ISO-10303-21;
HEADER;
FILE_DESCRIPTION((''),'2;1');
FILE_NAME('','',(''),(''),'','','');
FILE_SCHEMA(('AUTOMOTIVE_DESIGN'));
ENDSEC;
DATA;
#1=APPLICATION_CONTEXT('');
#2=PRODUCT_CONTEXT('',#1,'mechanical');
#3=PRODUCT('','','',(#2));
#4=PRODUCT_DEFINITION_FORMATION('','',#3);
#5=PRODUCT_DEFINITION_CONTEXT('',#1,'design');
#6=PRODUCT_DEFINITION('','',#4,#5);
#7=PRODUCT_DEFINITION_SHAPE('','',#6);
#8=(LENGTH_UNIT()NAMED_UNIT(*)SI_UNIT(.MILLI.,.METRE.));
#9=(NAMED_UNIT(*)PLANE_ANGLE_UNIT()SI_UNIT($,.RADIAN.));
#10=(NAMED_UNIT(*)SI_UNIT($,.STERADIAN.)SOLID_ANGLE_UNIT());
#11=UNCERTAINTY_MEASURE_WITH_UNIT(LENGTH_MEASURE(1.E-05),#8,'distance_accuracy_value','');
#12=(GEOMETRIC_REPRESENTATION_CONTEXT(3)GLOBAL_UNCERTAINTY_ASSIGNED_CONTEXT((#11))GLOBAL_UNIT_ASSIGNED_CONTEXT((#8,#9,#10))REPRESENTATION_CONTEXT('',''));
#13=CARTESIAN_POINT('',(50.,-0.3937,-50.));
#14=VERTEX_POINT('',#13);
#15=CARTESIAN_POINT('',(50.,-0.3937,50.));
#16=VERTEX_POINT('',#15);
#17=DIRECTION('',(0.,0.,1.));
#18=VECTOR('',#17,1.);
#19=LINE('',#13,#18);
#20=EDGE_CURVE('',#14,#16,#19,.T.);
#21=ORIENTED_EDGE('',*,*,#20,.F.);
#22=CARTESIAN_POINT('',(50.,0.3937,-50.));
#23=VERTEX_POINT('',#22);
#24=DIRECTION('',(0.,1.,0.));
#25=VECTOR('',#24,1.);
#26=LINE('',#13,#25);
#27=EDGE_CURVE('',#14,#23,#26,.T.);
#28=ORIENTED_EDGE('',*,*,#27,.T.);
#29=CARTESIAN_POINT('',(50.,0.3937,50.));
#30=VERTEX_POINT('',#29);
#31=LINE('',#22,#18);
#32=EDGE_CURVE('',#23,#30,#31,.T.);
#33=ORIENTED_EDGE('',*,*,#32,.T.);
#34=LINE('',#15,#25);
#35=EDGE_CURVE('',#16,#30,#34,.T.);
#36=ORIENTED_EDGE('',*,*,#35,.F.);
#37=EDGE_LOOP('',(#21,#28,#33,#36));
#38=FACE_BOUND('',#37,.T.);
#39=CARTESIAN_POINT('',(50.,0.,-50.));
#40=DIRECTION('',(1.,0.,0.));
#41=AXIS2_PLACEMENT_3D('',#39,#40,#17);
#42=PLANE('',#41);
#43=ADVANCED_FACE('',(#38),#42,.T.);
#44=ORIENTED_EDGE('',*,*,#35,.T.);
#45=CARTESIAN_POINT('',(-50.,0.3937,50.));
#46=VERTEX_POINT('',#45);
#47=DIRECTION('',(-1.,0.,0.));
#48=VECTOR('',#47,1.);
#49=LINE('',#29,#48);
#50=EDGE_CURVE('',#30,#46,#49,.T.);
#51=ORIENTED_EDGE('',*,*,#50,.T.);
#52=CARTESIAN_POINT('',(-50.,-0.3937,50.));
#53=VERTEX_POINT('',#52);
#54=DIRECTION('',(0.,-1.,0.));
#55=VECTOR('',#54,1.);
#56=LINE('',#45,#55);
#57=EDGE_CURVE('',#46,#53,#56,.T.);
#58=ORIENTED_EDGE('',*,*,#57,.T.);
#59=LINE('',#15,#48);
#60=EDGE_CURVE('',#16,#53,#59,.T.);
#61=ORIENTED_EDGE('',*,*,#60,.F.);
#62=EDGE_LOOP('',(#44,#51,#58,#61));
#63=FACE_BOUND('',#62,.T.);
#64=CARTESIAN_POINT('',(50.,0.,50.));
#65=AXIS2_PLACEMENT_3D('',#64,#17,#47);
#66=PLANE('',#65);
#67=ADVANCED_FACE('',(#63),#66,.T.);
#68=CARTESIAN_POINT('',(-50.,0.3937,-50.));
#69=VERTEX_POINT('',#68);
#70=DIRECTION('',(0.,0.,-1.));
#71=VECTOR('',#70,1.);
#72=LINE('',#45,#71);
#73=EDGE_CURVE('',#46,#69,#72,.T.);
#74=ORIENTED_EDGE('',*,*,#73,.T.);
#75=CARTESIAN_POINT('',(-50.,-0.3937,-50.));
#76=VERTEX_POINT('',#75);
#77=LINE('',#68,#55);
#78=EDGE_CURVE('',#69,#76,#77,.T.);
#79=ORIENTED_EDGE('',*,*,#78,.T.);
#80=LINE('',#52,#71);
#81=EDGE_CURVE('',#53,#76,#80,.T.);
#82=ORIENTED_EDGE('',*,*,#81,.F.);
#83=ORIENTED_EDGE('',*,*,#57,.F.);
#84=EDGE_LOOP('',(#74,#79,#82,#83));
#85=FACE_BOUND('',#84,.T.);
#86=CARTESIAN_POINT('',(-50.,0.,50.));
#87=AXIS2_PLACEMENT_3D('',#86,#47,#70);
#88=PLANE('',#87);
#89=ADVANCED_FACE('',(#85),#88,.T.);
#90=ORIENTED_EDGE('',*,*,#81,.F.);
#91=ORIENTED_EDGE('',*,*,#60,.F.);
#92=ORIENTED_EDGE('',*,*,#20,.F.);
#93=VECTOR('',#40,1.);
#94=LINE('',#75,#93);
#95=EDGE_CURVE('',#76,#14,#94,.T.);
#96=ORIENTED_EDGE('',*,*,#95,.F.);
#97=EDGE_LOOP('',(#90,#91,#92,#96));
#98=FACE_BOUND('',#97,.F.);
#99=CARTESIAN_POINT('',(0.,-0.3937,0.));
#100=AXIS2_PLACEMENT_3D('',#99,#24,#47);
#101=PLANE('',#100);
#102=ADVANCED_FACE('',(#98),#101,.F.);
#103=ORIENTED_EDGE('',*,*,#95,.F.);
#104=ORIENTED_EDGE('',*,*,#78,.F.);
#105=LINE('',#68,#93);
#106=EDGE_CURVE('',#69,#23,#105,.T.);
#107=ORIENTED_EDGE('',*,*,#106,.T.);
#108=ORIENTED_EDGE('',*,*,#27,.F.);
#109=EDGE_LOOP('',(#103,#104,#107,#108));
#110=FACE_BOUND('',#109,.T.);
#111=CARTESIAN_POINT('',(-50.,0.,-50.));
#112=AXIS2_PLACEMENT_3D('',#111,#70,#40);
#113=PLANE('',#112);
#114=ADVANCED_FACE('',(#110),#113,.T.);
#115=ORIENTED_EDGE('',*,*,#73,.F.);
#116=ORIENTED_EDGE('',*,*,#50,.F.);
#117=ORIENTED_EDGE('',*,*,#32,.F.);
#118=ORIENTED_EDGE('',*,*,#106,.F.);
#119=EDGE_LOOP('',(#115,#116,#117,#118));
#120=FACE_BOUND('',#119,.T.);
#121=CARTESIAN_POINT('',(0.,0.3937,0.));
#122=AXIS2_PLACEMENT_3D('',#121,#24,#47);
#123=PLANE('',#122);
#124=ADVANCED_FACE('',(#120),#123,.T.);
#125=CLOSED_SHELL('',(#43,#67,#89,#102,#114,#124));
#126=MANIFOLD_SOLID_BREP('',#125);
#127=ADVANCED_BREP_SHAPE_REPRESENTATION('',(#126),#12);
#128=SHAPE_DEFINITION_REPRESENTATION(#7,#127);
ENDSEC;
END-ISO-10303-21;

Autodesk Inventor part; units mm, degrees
ref_plane "YZ Plane" through (0, 0, 0) normal (1, 0, 0) x (0, 1, 0)
ref_plane "XZ Plane" through (0, 0, 0) normal (0, 1, 0) x (-1, 0, 0)
ref_plane "XY Plane" through (0, 0, 0) normal (0, 0, 1) x (1, 0, 0)
sketch "Sketch1" plane through (0, 0, 0) normal (0, 1, 0) x (-1, 0, 0)
  line L0 (-50, 50) -> (50, 50)
  line L1 (50, 50) -> (50, -50)
  line L2 (50, -50) -> (-50, -50)
  line L3 (-50, -50) -> (-50, 50)
  line L4 (-50, 50) -> (50, -50) construction
  line L5 (50, 50) -> (-50, -50) construction
  point P0 (0, 0)
  dimension "d0" = 100
  dimension "d1" = 100
extrude "Extrusion1" add sketch "Sketch1" along normal mid plane 0.7874
properties part number "100mmx100mm-PCB"
